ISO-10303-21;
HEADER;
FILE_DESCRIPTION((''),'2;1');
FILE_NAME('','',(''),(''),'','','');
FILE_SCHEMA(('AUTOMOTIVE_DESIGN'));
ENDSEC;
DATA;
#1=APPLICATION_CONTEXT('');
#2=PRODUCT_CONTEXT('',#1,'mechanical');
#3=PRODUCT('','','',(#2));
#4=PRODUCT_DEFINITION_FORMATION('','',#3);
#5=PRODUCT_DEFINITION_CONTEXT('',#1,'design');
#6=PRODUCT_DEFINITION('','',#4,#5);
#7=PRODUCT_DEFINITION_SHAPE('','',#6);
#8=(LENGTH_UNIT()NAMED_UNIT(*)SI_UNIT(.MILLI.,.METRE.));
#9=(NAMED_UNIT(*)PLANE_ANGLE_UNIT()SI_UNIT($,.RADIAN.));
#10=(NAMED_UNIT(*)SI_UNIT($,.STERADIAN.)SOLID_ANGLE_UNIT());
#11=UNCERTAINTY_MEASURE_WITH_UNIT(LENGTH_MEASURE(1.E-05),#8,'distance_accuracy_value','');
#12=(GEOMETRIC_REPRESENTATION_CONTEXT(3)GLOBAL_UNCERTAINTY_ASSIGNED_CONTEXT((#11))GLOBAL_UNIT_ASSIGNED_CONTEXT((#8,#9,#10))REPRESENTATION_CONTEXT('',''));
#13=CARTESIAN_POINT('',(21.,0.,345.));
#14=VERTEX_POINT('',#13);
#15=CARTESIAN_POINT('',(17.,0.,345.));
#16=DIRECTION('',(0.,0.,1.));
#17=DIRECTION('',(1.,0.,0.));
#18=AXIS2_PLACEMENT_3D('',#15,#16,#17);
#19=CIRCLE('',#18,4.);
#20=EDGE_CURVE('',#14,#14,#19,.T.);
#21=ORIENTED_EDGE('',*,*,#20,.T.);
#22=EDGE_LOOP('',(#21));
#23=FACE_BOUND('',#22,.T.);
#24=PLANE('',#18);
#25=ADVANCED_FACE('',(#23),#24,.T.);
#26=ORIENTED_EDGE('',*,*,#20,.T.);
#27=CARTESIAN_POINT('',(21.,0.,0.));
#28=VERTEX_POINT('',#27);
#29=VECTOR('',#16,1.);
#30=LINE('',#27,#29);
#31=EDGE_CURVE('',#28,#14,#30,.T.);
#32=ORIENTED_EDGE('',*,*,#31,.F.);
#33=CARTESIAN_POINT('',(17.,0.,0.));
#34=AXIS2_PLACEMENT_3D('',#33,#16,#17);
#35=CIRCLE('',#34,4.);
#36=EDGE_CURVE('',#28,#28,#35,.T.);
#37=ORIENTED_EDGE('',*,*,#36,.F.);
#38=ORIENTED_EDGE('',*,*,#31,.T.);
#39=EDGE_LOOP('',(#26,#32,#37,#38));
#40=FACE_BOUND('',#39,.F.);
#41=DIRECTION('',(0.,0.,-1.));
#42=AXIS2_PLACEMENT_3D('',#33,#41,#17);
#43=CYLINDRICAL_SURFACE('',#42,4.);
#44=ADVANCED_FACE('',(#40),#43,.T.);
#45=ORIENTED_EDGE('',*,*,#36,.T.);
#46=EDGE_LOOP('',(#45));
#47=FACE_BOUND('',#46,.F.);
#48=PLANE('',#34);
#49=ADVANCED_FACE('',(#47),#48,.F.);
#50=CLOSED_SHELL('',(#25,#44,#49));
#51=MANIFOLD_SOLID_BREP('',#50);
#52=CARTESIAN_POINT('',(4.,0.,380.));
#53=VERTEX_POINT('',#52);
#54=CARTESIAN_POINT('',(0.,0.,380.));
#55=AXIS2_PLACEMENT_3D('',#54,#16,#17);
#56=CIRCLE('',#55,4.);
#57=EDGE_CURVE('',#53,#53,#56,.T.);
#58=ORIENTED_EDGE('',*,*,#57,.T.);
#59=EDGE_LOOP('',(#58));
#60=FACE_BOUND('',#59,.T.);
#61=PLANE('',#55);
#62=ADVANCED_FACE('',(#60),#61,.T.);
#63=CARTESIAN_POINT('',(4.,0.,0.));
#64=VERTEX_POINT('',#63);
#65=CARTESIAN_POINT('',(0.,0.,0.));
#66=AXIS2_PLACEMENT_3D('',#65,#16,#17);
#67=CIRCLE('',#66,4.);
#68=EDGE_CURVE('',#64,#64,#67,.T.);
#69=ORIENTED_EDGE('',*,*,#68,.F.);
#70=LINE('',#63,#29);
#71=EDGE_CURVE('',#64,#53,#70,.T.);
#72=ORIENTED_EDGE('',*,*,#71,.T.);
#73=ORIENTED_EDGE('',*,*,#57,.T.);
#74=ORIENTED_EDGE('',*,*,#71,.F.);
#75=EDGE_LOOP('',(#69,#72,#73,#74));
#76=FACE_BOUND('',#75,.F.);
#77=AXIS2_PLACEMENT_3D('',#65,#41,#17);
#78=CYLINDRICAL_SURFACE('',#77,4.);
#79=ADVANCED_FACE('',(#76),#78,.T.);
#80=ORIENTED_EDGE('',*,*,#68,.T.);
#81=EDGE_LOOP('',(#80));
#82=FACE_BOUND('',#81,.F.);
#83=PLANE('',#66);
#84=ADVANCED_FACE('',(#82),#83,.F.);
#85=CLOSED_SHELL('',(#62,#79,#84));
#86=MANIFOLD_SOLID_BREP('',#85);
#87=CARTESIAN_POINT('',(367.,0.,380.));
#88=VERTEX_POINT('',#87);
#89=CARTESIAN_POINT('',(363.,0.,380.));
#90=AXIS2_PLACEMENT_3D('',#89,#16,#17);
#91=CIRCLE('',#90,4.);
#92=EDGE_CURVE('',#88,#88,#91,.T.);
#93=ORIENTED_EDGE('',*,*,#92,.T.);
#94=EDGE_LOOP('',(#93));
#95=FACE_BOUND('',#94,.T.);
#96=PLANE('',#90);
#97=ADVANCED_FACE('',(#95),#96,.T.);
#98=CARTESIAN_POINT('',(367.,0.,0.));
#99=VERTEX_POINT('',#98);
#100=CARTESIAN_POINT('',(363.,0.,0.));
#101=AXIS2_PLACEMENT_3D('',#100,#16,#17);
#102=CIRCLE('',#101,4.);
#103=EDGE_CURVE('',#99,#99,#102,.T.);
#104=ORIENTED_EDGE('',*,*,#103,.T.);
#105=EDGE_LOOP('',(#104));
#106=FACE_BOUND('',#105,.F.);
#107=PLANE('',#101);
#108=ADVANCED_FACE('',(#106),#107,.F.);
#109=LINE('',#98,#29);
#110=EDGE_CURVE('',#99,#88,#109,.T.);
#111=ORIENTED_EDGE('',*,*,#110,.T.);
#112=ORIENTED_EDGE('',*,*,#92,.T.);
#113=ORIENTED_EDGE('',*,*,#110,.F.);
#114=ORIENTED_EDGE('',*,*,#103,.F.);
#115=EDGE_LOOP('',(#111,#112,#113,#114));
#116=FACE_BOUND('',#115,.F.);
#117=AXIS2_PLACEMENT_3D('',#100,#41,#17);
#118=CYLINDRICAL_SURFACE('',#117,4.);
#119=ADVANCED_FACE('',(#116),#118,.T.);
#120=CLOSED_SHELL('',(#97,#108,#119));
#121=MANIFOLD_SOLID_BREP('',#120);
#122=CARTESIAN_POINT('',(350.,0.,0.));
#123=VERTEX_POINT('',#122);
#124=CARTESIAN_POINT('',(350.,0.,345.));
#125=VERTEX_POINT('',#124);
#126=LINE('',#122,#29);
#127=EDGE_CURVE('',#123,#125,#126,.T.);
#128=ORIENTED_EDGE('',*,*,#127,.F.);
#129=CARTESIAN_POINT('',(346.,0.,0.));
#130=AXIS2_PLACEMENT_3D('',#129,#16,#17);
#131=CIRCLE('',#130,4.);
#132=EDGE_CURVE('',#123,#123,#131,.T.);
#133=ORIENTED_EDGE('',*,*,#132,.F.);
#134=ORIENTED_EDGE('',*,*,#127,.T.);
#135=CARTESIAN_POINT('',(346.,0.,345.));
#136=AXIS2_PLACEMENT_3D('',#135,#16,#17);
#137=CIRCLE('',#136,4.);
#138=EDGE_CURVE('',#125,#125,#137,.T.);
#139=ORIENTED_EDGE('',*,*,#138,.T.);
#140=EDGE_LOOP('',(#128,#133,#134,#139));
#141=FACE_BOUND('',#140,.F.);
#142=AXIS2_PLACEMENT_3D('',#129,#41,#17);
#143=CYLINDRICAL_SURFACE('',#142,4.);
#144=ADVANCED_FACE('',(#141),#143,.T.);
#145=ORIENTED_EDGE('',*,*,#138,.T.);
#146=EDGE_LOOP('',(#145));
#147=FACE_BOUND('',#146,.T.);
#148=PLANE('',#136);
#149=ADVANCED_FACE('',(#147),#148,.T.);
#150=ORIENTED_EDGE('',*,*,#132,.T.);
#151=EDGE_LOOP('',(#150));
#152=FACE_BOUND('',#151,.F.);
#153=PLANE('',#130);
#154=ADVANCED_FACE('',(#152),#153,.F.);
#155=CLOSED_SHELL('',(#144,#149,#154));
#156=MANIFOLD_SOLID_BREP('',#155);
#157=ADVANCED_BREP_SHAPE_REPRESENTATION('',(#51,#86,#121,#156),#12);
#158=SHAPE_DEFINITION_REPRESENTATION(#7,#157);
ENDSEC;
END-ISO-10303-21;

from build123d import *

# Parameters (mm, degrees)
F0_R      = 4
F1_DEPTH  = 380
F1_FACE_R = 4
F2_DEPTH  = 35
F3_DEPTH  = 35


with BuildPart() as f1:
    # F0 (on Top) → F1 (new body)
    with BuildSketch(Plane.XY):
        with Locations((17, 0)):
            Circle(F0_R)
        Circle(F0_R)
        with Locations((346, 0)):
            Circle(F0_R)
        with Locations((363, 0)):
            Circle(F0_R)
    extrude(amount=F1_DEPTH)

    # F1_face (on face) → F2 (cut)
    with BuildSketch(Plane(origin=(17, 0, 380), x_dir=(1, 0, 0), z_dir=(0, 0, 1))):
        Circle(F1_FACE_R)
    extrude(amount=-F2_DEPTH, mode=Mode.SUBTRACT)

    # F1_face (on face) → F3 (cut)
    with BuildSketch(Plane(origin=(17, 0, 380), x_dir=(1, 0, 0), z_dir=(0, 0, 1))):
        with Locations((329, 0)):
            Circle(F1_FACE_R)
    extrude(amount=-F3_DEPTH, mode=Mode.SUBTRACT)


solid = f1.part
